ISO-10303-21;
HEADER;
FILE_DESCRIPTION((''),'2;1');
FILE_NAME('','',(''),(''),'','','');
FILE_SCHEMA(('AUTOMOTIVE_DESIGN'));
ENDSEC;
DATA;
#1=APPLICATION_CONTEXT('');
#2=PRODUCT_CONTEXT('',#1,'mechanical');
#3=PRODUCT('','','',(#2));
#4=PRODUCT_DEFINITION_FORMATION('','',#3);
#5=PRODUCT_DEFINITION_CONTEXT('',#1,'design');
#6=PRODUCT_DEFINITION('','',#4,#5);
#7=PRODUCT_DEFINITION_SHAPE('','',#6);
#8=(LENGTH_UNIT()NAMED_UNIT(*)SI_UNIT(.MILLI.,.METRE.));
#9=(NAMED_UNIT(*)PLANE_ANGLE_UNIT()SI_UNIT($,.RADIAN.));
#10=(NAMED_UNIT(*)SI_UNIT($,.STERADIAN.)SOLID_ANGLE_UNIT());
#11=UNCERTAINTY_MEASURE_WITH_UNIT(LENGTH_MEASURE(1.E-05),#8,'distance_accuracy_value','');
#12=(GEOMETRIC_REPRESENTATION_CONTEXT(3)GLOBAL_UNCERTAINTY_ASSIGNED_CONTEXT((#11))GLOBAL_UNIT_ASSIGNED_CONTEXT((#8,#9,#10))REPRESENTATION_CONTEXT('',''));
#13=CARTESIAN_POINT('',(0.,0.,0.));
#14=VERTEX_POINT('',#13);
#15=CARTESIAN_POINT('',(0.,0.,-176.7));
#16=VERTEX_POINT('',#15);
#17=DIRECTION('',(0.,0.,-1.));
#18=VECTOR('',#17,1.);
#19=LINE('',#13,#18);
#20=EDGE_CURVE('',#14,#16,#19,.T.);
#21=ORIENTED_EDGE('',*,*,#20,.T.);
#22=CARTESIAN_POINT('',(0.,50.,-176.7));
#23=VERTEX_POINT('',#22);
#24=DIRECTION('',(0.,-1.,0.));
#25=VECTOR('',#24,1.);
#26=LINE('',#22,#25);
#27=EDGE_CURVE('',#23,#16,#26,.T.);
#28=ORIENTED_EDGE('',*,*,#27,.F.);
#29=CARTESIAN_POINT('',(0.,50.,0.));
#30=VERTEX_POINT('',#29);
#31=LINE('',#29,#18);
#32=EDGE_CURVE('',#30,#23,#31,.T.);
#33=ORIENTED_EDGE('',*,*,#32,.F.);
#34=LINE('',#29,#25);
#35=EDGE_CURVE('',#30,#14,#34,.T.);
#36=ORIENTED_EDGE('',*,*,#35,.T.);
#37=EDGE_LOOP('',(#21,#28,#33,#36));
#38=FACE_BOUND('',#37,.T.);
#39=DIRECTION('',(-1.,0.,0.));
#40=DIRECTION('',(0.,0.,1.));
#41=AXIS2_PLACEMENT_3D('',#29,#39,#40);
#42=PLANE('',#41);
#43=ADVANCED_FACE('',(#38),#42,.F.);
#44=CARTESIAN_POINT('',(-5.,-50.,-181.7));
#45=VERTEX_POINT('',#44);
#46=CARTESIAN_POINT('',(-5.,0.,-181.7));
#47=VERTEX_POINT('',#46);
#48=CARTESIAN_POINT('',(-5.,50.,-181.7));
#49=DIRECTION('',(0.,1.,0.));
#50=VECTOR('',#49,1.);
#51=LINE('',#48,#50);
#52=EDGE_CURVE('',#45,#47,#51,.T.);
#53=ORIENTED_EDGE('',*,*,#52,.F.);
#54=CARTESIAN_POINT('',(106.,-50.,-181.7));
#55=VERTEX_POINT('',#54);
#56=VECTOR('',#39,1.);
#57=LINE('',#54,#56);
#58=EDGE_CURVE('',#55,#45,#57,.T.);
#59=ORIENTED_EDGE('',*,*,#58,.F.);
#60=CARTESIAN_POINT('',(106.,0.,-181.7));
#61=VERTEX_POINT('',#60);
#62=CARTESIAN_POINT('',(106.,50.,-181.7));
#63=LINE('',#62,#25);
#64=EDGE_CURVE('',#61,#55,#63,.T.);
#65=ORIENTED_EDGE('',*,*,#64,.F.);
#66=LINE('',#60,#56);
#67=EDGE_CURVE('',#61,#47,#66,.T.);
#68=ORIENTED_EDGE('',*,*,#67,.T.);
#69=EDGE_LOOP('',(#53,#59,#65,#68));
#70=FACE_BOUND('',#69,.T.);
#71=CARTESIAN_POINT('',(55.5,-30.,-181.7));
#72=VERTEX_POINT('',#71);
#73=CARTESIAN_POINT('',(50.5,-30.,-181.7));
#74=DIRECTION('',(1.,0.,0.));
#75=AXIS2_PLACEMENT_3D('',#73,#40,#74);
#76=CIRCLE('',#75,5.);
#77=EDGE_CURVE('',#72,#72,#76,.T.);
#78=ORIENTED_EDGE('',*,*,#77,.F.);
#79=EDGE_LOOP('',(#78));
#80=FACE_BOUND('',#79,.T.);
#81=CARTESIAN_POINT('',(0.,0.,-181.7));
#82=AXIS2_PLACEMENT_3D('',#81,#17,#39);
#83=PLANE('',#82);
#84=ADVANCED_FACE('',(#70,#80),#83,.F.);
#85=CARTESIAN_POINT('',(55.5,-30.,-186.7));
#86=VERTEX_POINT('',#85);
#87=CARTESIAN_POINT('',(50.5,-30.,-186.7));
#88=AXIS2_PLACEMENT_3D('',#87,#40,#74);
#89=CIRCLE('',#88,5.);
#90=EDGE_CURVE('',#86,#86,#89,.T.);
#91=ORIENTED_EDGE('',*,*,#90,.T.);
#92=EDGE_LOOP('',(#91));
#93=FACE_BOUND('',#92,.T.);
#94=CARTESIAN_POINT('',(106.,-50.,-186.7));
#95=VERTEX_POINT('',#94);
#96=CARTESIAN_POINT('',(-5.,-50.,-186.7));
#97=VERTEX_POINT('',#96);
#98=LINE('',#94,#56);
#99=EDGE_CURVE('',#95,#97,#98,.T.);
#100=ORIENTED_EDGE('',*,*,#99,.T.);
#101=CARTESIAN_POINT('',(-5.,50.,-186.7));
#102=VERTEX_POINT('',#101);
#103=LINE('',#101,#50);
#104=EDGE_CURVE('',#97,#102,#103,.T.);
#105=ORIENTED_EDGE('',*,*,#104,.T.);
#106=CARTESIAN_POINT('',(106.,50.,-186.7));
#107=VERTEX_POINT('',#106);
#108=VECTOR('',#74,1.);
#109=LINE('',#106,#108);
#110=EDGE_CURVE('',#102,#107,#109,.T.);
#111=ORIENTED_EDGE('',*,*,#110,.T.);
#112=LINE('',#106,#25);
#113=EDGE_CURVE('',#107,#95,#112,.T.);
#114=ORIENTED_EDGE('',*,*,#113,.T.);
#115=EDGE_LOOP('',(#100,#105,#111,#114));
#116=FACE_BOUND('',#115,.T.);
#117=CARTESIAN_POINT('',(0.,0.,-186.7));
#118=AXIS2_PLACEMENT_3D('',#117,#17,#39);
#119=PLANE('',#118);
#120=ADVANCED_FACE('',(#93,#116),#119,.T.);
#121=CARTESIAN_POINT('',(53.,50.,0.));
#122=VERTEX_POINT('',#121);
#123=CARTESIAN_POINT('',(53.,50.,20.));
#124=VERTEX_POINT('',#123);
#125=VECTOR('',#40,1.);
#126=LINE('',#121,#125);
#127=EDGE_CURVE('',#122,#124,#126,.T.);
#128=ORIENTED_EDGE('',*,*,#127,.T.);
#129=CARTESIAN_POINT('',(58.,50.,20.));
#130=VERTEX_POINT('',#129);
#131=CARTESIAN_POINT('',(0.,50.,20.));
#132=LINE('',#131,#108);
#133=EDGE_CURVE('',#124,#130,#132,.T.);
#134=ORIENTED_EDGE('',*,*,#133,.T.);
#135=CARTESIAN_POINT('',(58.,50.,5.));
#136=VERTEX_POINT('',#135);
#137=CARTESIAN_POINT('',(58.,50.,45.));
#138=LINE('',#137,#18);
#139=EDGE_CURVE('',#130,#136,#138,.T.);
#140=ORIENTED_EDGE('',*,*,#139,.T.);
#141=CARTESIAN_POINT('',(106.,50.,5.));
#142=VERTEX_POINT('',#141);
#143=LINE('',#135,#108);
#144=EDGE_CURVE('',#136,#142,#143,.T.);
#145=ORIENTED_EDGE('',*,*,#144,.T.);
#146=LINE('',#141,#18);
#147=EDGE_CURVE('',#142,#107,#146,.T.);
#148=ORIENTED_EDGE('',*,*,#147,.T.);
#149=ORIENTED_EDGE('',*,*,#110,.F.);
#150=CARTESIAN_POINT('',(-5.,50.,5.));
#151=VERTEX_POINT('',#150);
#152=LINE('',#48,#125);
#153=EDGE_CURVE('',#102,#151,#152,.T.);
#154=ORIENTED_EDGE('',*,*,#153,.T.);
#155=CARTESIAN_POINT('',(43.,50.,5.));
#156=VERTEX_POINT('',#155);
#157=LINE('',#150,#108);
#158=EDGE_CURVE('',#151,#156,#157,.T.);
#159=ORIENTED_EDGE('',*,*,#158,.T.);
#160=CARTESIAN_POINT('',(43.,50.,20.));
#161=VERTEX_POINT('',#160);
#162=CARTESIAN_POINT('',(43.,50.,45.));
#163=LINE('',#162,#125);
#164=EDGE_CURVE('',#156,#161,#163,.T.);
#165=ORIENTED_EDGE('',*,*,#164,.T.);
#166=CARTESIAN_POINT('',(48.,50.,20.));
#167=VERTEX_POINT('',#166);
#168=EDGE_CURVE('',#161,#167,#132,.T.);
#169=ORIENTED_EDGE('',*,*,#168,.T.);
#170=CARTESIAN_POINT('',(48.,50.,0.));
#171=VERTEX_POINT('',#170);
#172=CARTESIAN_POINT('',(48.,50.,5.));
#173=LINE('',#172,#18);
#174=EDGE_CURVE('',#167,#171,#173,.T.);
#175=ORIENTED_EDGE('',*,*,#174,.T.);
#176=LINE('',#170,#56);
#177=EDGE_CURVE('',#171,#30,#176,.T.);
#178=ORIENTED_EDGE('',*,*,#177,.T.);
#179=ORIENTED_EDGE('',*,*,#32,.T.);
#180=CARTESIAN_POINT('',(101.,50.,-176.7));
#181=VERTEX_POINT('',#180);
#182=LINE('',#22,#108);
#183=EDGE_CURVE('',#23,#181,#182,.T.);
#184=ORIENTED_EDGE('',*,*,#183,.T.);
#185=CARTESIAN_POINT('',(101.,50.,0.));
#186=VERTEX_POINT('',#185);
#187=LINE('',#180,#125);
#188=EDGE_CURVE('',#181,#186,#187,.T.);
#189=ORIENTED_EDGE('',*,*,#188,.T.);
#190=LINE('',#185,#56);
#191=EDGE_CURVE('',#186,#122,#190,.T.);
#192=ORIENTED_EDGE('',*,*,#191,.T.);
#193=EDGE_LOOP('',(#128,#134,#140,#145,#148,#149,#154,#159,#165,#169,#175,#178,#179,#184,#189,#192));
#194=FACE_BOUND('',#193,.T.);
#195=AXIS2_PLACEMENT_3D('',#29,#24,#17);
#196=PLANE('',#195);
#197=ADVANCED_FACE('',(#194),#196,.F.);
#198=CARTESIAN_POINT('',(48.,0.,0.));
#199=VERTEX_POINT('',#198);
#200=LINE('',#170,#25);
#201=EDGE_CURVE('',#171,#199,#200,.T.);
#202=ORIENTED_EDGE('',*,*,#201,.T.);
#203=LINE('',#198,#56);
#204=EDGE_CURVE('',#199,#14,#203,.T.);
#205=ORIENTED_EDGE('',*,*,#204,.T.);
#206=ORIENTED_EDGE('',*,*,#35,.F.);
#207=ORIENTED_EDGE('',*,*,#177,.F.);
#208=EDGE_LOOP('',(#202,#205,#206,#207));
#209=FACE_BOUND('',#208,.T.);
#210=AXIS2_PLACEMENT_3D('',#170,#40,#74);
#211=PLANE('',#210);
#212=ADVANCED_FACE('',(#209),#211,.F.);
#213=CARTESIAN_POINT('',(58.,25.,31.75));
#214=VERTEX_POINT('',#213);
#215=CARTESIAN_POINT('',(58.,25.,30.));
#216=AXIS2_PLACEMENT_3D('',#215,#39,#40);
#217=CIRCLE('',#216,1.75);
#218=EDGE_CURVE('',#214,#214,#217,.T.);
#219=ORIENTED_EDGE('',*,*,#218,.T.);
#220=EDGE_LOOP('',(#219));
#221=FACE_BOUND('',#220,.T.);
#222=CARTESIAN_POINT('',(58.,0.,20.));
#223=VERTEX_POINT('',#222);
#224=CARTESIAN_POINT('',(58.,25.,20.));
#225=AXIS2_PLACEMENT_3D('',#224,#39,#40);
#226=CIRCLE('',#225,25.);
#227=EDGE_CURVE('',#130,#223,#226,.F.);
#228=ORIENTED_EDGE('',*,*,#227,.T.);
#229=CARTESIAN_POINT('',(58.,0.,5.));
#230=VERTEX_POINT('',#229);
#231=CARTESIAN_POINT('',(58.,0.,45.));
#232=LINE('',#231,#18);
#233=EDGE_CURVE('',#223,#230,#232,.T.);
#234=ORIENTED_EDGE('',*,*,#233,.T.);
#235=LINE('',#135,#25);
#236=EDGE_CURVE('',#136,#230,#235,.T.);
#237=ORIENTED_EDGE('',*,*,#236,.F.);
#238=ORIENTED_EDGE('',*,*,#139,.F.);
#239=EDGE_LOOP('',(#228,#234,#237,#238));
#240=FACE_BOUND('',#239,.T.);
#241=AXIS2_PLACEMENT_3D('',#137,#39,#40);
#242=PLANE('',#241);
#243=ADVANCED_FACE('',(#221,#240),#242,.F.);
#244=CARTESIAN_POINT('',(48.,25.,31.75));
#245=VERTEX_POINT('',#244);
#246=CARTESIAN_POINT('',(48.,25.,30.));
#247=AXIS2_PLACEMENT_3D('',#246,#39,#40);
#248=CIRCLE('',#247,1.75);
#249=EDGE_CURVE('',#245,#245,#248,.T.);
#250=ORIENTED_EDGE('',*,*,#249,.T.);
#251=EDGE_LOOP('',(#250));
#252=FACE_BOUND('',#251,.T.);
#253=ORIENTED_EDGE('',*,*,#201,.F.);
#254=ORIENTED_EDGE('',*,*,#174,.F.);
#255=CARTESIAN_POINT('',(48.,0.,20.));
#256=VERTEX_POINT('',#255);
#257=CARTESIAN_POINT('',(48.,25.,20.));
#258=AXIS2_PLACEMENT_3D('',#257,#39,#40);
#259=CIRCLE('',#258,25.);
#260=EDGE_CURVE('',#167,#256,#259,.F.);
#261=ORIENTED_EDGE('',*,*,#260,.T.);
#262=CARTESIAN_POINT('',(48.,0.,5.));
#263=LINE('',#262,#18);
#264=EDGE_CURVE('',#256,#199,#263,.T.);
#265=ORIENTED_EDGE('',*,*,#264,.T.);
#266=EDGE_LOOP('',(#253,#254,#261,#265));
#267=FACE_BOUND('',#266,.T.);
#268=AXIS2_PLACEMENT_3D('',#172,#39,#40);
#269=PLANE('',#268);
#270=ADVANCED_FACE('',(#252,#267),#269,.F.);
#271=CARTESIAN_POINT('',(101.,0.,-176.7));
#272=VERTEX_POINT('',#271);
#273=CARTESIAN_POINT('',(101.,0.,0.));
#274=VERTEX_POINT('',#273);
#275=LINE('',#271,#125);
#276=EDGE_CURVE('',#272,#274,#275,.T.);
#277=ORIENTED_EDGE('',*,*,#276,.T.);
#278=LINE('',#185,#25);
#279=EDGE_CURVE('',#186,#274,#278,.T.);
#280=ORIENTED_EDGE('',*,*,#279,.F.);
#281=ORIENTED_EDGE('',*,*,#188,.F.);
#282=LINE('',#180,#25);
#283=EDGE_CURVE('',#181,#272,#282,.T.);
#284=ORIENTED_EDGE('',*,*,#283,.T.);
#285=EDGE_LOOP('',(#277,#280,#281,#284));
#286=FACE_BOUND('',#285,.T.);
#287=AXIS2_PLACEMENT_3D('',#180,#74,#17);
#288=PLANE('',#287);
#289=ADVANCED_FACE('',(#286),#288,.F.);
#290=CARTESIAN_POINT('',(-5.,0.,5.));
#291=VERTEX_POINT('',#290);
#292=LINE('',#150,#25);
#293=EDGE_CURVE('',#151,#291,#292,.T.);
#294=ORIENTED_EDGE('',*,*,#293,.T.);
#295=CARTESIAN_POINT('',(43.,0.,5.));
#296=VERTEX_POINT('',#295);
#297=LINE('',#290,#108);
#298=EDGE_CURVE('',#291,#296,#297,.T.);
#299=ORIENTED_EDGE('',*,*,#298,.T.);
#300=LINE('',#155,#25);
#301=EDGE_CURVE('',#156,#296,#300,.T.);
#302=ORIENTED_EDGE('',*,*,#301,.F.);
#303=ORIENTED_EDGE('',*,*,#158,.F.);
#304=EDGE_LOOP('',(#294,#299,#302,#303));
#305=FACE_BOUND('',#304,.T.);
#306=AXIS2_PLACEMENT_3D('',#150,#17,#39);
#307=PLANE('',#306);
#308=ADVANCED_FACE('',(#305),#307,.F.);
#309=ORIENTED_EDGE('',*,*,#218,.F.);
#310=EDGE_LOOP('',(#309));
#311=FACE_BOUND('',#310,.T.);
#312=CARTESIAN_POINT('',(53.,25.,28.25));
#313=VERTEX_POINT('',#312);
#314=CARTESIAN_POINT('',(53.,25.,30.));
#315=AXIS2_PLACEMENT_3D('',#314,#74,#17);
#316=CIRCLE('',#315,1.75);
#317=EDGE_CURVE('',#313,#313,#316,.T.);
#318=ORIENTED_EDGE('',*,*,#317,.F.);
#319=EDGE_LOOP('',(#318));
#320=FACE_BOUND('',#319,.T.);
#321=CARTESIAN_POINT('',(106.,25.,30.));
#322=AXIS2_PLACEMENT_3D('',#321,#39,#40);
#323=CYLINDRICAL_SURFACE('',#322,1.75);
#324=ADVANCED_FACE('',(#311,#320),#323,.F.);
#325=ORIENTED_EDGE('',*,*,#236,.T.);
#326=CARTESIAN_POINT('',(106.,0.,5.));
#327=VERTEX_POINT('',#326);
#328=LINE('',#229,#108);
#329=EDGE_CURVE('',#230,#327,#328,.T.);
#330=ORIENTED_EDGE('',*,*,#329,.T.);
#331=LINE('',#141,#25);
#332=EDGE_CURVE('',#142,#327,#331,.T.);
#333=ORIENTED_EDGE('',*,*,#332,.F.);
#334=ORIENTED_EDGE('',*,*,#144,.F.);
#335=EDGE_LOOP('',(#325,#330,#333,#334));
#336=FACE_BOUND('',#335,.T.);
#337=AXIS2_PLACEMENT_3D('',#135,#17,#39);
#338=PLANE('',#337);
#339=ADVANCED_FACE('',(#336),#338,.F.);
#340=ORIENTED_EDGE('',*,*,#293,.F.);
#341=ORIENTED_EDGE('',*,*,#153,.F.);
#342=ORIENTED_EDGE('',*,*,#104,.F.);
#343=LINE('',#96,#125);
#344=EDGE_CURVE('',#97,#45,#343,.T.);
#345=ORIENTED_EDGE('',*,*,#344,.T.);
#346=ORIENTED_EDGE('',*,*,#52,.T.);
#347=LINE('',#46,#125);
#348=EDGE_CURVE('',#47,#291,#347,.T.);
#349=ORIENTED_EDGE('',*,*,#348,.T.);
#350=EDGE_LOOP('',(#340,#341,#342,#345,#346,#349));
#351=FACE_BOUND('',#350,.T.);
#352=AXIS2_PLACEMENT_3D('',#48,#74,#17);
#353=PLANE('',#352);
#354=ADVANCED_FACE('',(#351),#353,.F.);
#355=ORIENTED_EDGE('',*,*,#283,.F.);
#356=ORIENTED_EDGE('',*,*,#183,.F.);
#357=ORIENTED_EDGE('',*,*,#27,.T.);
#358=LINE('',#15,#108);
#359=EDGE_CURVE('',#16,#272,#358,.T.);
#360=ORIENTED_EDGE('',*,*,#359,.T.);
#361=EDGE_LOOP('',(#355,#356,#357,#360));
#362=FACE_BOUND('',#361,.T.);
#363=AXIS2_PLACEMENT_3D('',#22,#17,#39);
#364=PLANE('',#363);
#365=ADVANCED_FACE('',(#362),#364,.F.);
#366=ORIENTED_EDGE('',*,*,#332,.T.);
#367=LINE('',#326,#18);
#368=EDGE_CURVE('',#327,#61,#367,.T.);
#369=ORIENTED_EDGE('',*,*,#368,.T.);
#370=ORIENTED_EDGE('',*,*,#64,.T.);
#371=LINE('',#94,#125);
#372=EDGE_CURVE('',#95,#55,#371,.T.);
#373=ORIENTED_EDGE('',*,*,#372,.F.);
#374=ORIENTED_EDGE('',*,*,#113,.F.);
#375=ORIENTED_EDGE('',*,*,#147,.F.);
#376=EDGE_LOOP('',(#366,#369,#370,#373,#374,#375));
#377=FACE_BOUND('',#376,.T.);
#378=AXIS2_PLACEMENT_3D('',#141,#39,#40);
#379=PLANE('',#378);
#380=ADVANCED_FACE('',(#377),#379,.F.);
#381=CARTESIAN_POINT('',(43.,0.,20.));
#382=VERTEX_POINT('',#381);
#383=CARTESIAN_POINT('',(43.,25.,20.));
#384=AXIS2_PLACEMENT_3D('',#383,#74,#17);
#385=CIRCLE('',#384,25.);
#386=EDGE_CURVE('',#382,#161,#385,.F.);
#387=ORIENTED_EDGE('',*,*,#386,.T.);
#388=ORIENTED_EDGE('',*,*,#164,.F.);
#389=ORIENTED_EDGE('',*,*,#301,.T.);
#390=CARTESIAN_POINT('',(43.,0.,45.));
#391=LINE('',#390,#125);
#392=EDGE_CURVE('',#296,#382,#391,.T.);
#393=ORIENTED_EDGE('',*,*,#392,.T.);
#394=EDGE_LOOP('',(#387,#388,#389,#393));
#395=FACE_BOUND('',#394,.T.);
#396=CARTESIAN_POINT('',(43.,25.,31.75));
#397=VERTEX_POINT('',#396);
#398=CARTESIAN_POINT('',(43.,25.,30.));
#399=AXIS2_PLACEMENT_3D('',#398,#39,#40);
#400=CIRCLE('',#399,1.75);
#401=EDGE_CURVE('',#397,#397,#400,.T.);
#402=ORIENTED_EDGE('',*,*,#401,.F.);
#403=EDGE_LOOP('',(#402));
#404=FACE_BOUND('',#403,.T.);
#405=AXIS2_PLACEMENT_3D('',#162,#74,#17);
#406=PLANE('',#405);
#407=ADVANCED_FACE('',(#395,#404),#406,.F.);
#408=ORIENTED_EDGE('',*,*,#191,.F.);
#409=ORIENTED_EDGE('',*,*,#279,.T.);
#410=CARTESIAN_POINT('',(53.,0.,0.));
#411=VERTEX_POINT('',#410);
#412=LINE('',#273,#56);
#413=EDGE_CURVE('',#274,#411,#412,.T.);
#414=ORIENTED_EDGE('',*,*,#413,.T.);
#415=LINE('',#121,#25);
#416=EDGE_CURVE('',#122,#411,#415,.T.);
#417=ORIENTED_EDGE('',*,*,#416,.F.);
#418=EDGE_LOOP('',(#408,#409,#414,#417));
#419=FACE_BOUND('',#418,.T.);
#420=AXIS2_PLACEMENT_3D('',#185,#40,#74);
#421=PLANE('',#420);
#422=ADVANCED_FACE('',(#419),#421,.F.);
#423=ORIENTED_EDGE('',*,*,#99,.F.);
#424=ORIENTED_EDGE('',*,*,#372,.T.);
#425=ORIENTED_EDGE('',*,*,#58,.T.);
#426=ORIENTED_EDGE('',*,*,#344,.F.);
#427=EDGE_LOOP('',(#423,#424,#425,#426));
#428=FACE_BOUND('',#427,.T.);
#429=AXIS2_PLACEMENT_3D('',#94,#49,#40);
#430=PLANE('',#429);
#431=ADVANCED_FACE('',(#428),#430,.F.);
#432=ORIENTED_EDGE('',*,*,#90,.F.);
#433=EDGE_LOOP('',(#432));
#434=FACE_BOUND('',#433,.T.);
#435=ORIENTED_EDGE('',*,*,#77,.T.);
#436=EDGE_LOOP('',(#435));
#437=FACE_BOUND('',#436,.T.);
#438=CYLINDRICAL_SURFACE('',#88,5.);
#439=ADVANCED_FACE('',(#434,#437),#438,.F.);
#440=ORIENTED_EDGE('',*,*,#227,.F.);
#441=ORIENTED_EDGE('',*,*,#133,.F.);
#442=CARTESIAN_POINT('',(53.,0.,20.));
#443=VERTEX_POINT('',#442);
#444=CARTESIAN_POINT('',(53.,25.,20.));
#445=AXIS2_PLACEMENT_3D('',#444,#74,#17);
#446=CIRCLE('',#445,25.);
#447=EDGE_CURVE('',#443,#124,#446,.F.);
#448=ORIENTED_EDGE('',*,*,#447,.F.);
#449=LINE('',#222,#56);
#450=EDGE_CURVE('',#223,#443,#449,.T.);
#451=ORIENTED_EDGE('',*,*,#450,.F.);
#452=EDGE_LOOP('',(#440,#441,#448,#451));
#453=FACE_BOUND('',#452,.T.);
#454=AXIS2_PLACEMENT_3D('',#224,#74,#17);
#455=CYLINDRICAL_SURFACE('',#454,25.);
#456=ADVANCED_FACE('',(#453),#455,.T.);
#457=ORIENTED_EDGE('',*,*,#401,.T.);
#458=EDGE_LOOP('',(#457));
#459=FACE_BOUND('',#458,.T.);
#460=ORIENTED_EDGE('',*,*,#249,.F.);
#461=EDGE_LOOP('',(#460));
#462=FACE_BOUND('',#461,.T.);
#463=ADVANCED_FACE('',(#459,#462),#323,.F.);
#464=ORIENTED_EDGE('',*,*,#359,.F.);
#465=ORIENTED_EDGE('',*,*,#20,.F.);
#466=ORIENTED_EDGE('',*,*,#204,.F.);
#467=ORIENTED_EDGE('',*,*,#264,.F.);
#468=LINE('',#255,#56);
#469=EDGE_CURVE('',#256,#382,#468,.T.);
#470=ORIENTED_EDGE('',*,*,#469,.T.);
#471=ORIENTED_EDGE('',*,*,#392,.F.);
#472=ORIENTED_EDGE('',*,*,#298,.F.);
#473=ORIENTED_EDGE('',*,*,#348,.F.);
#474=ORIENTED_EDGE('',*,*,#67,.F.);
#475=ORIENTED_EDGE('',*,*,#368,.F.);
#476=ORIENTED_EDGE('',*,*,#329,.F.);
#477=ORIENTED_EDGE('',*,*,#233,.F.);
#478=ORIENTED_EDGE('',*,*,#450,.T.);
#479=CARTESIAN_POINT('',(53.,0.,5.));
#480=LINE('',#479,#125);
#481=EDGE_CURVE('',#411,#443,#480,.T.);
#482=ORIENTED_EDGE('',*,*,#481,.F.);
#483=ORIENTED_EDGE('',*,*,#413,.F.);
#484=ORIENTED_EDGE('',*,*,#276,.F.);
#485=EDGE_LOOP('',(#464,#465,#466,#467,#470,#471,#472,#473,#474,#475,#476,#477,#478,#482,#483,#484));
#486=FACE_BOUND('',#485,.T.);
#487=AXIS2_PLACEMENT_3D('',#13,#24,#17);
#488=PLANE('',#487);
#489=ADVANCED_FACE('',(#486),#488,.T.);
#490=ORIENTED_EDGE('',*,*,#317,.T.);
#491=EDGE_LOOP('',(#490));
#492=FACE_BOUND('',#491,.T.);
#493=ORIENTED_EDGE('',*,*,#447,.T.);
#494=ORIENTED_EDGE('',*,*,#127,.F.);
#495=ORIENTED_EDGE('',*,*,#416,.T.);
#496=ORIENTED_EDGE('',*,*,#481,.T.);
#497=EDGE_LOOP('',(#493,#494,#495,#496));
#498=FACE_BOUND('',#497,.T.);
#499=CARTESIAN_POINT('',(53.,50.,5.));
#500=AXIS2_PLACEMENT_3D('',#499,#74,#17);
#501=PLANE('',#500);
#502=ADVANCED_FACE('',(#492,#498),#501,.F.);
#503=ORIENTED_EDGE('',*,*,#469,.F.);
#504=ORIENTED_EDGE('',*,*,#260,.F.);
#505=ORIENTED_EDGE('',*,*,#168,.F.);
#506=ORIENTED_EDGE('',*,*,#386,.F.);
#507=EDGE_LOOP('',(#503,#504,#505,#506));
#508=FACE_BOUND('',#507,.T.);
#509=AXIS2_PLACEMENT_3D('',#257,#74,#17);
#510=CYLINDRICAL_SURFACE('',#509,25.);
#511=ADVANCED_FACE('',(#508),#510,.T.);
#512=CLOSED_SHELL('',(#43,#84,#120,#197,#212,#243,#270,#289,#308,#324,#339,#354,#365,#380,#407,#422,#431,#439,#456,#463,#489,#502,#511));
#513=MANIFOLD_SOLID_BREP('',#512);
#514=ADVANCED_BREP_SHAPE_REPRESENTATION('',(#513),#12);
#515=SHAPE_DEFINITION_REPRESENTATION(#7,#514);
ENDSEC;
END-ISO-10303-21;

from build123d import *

# Parameters (mm, degrees)
BOSS_EXTRUDE1_DEPTH = 50
FILLET1_RADIUS      = 25
FILLET1_LENGTH      = 5
FILLET2_RADIUS      = 25
FILLET2_LENGTH      = 5
SKETCH2_W           = 111
SKETCH2_H           = 100
BOSS_EXTRUDE2_DEPTH = 5
SKETCH3_R           = 1.75
CUT_EXTRUDE1_DEPTH  = 204.28770253
SKETCH4_R           = 5
CUT_EXTRUDE2_DEPTH  = 256.203624582


with BuildPart() as part:
    # Sketch1 → Boss-Extrude1 (new body)
    with BuildSketch(Plane(origin=(0, 0, 0), x_dir=(1, 0, 0), z_dir=(0, 1, 0))):
        Polygon((0, 0), (0, 176.7), (101, 176.7), (101, 0), (53, 0), (53, -5), (53, -45), (58, -45), (58, -5), (106, -5), (106, 181.7), (-5, 181.7), (-5, -5), (43, -5), (43, -45), (48, -45), (48, -5), (48, 0), align=None)
    extrude(amount=BOSS_EXTRUDE1_DEPTH)

    # Fillet1: full round fillet: the end face becomes a half cylinder, R = half its width
    fillet1_face = Plane((45.5, 25, 45), x_dir=(1, 0, 0), z_dir=(0, 0, 1))  # on the end face: x along it, z out of the body
    fillet1_slab = fillet1_face.offset(-FILLET1_RADIUS / 2) * Box(FILLET1_LENGTH, 2 * FILLET1_RADIUS, FILLET1_RADIUS, mode=Mode.PRIVATE)  # the body's end, R deep
    fillet1_round = Plane((45.5, 25, 20), x_dir=(0, 0, 1), z_dir=(1, 0, 0)) * Cylinder(FILLET1_RADIUS, FILLET1_LENGTH, mode=Mode.PRIVATE)  # its axis R under the face
    add(fillet1_slab - fillet1_round, mode=Mode.SUBTRACT)

    # Fillet2: full round fillet: the end face becomes a half cylinder, R = half its width
    fillet2_face = Plane((55.5, 25, 45), x_dir=(1, 0, 0), z_dir=(0, 0, 1))  # on the end face: x along it, z out of the body
    fillet2_slab = fillet2_face.offset(-FILLET2_RADIUS / 2) * Box(FILLET2_LENGTH, 2 * FILLET2_RADIUS, FILLET2_RADIUS, mode=Mode.PRIVATE)  # the body's end, R deep
    fillet2_round = Plane((55.5, 25, 20), x_dir=(0, 0, 1), z_dir=(1, 0, 0)) * Cylinder(FILLET2_RADIUS, FILLET2_LENGTH, mode=Mode.PRIVATE)  # its axis R under the face
    add(fillet2_slab - fillet2_round, mode=Mode.SUBTRACT)

    # Sketch2 → Boss-Extrude2 (add)
    with BuildSketch(Plane(origin=(0, 0, -181.7), x_dir=(-1, 0, 0), z_dir=(0, 0, -1))):
        with Locations((-50.5, 0)):
            Rectangle(SKETCH2_W, SKETCH2_H)
    extrude(amount=BOSS_EXTRUDE2_DEPTH)

    # Sketch3 → Cut-Extrude1 (cut, through all)
    with BuildSketch(Plane.ZY.offset(-43)):
        with Locations((30, 25)):
            Circle(SKETCH3_R)
    extrude(amount=-CUT_EXTRUDE1_DEPTH, mode=Mode.SUBTRACT)

    # Sketch4 → Cut-Extrude2 (cut, through all)
    with BuildSketch(Plane.XY.offset(-181.7)):
        with Locations((50.5, -30)):
            Circle(SKETCH4_R)
    extrude(amount=-CUT_EXTRUDE2_DEPTH, mode=Mode.SUBTRACT)


solid = part.part
